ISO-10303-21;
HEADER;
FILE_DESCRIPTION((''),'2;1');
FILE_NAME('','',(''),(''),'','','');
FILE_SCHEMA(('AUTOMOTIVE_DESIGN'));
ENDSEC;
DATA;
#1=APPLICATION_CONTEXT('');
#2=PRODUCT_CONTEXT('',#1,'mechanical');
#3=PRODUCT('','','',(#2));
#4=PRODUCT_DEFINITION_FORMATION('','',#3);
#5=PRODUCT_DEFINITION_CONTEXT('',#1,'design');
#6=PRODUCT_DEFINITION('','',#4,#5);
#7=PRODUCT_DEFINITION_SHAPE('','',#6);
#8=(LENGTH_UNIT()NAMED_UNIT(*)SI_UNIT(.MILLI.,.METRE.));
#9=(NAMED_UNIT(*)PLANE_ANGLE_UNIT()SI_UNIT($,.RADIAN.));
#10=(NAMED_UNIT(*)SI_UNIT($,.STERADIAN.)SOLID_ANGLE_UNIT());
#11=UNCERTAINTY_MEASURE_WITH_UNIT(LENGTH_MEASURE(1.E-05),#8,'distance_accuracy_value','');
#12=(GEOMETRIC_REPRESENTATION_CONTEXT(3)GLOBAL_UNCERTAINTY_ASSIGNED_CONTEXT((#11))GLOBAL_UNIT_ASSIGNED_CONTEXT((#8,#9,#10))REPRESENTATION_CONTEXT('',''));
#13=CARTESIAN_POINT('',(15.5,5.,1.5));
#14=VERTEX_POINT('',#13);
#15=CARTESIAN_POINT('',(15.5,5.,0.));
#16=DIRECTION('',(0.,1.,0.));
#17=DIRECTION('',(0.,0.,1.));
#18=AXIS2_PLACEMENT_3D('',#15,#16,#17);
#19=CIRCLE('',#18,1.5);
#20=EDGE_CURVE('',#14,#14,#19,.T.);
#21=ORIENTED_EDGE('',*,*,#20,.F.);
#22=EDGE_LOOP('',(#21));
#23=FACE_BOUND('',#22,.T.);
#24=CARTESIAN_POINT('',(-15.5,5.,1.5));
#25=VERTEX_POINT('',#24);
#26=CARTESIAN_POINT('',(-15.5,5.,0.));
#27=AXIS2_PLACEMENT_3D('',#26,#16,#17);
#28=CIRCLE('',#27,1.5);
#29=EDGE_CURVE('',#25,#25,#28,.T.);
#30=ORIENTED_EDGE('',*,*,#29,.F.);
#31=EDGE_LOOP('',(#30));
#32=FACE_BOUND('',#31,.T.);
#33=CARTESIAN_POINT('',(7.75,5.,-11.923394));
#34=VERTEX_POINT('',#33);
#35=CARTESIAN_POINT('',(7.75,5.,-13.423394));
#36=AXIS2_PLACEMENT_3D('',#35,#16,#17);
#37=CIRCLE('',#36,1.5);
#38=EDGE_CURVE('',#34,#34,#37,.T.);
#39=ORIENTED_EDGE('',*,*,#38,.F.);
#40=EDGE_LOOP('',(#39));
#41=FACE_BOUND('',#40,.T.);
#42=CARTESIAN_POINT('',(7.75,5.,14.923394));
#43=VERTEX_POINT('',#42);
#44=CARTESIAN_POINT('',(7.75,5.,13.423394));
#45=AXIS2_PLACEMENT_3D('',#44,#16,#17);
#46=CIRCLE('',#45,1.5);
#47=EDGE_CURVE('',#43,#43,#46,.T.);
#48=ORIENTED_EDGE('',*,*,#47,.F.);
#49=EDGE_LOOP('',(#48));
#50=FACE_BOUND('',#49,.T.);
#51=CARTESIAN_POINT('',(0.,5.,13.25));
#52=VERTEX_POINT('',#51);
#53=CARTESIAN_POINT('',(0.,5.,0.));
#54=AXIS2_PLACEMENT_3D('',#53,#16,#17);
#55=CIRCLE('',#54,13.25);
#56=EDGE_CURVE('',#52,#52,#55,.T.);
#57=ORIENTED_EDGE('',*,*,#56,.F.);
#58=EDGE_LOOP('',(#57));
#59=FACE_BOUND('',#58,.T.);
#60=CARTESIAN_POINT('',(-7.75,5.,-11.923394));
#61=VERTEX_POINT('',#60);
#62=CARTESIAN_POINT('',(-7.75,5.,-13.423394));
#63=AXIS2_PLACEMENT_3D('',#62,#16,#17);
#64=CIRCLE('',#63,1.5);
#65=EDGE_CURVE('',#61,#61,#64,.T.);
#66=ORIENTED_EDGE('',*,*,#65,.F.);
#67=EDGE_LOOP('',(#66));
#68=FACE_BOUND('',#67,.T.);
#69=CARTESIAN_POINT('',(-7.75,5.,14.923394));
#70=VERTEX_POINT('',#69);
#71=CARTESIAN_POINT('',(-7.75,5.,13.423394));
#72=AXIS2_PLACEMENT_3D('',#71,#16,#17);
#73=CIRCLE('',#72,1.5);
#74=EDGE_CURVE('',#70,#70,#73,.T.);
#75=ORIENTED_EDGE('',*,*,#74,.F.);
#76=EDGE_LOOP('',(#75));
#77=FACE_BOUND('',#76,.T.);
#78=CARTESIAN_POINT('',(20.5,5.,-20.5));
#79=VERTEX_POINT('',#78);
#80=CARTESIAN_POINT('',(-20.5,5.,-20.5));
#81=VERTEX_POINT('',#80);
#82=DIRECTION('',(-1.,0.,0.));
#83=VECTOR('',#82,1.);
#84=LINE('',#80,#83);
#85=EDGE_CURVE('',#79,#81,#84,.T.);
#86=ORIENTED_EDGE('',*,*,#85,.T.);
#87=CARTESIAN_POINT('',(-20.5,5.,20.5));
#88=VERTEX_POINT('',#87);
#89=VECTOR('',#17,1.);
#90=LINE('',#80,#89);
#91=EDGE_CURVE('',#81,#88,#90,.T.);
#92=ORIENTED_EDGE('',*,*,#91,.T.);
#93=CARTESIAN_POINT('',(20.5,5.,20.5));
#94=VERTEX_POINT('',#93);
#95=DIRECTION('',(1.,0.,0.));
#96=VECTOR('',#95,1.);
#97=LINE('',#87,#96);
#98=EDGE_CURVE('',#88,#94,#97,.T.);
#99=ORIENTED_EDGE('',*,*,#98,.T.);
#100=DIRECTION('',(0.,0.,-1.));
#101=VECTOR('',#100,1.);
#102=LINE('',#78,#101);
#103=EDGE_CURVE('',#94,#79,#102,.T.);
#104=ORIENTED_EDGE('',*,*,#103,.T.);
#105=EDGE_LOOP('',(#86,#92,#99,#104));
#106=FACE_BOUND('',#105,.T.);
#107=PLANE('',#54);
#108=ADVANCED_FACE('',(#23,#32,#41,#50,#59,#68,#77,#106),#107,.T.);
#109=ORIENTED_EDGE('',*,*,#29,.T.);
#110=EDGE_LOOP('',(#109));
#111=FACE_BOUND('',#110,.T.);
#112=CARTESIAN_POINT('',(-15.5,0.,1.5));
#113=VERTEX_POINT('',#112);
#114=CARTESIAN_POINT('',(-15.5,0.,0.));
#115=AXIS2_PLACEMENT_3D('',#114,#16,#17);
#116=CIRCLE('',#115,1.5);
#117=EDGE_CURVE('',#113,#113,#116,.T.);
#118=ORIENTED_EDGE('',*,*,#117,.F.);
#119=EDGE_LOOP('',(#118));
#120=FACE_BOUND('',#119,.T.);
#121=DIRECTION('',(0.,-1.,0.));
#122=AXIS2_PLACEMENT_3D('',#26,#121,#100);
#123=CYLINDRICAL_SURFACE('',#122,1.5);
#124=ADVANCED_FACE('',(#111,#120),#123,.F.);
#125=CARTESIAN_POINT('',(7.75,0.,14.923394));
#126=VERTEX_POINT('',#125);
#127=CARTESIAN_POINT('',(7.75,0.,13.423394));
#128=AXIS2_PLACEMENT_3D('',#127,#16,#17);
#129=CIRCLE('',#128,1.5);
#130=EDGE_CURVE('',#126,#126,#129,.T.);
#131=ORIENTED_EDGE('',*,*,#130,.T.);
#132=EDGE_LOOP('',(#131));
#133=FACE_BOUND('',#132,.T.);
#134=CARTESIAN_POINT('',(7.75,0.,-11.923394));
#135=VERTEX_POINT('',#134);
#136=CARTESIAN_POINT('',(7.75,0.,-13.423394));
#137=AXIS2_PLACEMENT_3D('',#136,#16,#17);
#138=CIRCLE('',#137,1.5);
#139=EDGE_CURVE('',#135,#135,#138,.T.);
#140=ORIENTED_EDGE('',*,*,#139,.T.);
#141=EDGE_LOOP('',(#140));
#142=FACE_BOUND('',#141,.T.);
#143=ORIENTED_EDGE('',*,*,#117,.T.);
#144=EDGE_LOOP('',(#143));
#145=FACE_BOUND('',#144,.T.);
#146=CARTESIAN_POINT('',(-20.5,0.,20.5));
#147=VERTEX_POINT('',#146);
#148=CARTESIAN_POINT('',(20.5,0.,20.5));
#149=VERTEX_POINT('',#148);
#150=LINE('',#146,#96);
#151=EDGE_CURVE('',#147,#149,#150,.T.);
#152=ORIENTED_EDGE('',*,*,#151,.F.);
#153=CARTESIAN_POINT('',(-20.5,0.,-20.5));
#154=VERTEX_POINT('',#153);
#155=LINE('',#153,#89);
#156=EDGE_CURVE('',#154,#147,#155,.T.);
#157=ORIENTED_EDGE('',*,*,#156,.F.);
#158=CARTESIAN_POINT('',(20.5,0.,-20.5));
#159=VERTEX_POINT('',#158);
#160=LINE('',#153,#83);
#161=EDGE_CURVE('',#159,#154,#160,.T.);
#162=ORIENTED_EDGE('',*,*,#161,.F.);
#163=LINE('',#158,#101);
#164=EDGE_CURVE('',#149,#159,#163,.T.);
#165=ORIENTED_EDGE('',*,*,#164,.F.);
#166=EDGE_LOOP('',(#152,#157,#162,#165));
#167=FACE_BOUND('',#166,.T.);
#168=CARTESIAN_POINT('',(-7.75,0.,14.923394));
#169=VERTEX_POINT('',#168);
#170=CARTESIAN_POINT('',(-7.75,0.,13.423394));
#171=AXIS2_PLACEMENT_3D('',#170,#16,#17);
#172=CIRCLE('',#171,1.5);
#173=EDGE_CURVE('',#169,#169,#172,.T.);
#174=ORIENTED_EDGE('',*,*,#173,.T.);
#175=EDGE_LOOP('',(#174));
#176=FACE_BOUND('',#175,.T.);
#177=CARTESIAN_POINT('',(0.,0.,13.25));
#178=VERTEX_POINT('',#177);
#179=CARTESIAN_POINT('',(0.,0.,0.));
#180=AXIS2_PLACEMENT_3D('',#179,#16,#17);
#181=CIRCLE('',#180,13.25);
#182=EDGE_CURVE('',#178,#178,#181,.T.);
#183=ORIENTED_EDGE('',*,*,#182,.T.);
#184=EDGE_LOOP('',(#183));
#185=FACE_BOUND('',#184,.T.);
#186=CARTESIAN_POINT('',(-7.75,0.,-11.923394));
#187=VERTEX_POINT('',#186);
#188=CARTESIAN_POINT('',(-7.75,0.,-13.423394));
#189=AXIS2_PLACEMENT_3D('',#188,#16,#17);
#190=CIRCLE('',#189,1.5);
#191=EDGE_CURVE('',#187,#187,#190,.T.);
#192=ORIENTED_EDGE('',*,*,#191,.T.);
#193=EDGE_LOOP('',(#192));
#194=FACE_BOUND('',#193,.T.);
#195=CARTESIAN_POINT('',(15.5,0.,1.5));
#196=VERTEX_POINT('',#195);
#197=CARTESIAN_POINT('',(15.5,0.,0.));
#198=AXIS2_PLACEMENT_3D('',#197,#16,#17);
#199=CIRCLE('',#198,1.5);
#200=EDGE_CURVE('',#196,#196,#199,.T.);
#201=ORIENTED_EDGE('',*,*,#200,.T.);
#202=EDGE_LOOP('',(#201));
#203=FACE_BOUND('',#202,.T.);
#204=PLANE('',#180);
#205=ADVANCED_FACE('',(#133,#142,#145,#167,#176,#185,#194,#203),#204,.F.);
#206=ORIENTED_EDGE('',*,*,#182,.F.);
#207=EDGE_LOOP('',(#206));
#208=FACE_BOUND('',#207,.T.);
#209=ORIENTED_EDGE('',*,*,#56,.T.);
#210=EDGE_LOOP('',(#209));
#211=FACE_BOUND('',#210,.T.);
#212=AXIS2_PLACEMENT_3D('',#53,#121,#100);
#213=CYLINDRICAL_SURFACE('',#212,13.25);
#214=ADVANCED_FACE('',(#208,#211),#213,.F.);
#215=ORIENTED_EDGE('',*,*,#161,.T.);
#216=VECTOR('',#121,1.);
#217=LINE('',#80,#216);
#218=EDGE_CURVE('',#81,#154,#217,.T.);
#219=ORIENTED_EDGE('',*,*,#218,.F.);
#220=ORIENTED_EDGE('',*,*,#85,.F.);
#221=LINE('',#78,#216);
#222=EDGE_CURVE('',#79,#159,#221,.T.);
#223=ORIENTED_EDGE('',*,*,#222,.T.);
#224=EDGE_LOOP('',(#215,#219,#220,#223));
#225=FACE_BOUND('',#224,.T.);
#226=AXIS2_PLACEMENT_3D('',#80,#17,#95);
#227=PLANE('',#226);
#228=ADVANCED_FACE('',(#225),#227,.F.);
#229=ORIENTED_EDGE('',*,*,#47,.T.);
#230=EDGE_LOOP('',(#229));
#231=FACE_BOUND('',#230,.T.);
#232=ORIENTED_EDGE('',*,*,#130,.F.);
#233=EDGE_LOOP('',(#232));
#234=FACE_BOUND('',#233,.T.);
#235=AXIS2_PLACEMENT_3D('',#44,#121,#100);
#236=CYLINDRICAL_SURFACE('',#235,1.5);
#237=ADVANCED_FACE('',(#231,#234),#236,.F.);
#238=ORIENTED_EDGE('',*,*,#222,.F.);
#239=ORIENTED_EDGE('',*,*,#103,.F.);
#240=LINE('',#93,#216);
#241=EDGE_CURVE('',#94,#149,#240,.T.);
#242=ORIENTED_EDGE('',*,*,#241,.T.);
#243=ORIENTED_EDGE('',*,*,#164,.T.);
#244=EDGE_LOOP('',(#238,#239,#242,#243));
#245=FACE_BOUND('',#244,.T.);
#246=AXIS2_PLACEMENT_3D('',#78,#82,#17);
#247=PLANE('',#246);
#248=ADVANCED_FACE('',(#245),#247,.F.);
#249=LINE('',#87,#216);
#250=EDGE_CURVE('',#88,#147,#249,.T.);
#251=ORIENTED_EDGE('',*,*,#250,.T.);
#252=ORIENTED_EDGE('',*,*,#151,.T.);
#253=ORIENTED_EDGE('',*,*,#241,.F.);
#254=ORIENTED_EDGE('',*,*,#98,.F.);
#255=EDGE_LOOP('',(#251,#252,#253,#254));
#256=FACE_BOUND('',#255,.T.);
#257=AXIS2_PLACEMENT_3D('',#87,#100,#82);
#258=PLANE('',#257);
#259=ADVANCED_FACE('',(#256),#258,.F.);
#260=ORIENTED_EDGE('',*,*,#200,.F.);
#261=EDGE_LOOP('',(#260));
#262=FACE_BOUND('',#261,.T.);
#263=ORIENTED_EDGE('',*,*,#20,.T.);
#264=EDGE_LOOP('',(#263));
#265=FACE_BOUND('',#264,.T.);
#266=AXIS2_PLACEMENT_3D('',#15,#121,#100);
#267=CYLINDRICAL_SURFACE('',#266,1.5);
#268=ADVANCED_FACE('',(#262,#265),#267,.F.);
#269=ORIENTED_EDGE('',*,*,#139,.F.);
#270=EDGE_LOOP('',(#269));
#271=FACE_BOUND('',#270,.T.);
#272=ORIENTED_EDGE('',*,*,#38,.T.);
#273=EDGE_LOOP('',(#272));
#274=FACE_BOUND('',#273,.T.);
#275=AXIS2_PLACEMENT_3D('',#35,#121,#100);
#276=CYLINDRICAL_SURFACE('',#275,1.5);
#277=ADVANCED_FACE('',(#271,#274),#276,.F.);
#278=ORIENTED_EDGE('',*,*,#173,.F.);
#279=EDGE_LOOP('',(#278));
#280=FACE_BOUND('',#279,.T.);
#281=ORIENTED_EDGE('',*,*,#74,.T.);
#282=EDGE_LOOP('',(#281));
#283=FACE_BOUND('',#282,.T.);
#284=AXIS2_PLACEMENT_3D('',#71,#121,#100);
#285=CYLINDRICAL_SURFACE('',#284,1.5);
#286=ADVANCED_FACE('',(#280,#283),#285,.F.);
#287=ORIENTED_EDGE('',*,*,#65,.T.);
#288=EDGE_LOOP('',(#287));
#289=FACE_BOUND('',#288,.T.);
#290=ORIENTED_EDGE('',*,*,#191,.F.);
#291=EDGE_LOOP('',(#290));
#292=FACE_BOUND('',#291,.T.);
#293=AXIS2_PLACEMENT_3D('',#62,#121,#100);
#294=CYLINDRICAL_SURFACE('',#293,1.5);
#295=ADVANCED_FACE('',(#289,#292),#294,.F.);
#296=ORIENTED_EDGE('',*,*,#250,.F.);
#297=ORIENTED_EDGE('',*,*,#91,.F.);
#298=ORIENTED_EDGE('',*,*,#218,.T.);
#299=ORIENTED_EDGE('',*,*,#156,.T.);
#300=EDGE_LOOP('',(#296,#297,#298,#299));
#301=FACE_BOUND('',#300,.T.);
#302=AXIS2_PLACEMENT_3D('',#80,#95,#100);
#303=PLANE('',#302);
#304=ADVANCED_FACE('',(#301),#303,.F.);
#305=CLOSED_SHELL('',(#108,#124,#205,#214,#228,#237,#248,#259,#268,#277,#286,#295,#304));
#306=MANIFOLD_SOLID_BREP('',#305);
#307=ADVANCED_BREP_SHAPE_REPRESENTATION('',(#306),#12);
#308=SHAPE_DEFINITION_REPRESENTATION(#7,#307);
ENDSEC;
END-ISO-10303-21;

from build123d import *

# Parameters (mm, degrees)
SKETCH2_W           = 41
SKETCH2_H           = 41
SKETCH2_R           = 1.5
SKETCH2_R_2         = 13.25
BOSS_EXTRUDE1_DEPTH = 5


with BuildPart() as part:
    # Sketch2 → Boss-Extrude1 (new body)
    with BuildSketch(Plane(origin=(0, 0, 0), x_dir=(1, 0, 0), z_dir=(0, 1, 0))):
        Rectangle(SKETCH2_W, SKETCH2_H)
        with Locations(Location((15.5, 0, 0), (0, 0, 270))):
            Circle(SKETCH2_R, mode=Mode.SUBTRACT)
        with Locations(Location((7.75, -13.423393759, 0), (0, 0, 270))):
            Circle(SKETCH2_R, mode=Mode.SUBTRACT)
        with Locations(Location((-7.75, -13.423393759, 0), (0, 0, 270))):
            Circle(SKETCH2_R, mode=Mode.SUBTRACT)
        with Locations(Location((-15.5, 0, 0), (0, 0, 270))):
            Circle(SKETCH2_R, mode=Mode.SUBTRACT)
        with Locations(Location((-7.75, 13.423393759, 0), (0, 0, 270))):
            Circle(SKETCH2_R, mode=Mode.SUBTRACT)
        with Locations(Location((7.75, 13.423393759, 0), (0, 0, 270))):
            Circle(SKETCH2_R, mode=Mode.SUBTRACT)
        with Locations(Location((0, 0, 0), (0, 0, 270))):
            Circle(SKETCH2_R_2, mode=Mode.SUBTRACT)
    extrude(amount=BOSS_EXTRUDE1_DEPTH)


solid = part.part
